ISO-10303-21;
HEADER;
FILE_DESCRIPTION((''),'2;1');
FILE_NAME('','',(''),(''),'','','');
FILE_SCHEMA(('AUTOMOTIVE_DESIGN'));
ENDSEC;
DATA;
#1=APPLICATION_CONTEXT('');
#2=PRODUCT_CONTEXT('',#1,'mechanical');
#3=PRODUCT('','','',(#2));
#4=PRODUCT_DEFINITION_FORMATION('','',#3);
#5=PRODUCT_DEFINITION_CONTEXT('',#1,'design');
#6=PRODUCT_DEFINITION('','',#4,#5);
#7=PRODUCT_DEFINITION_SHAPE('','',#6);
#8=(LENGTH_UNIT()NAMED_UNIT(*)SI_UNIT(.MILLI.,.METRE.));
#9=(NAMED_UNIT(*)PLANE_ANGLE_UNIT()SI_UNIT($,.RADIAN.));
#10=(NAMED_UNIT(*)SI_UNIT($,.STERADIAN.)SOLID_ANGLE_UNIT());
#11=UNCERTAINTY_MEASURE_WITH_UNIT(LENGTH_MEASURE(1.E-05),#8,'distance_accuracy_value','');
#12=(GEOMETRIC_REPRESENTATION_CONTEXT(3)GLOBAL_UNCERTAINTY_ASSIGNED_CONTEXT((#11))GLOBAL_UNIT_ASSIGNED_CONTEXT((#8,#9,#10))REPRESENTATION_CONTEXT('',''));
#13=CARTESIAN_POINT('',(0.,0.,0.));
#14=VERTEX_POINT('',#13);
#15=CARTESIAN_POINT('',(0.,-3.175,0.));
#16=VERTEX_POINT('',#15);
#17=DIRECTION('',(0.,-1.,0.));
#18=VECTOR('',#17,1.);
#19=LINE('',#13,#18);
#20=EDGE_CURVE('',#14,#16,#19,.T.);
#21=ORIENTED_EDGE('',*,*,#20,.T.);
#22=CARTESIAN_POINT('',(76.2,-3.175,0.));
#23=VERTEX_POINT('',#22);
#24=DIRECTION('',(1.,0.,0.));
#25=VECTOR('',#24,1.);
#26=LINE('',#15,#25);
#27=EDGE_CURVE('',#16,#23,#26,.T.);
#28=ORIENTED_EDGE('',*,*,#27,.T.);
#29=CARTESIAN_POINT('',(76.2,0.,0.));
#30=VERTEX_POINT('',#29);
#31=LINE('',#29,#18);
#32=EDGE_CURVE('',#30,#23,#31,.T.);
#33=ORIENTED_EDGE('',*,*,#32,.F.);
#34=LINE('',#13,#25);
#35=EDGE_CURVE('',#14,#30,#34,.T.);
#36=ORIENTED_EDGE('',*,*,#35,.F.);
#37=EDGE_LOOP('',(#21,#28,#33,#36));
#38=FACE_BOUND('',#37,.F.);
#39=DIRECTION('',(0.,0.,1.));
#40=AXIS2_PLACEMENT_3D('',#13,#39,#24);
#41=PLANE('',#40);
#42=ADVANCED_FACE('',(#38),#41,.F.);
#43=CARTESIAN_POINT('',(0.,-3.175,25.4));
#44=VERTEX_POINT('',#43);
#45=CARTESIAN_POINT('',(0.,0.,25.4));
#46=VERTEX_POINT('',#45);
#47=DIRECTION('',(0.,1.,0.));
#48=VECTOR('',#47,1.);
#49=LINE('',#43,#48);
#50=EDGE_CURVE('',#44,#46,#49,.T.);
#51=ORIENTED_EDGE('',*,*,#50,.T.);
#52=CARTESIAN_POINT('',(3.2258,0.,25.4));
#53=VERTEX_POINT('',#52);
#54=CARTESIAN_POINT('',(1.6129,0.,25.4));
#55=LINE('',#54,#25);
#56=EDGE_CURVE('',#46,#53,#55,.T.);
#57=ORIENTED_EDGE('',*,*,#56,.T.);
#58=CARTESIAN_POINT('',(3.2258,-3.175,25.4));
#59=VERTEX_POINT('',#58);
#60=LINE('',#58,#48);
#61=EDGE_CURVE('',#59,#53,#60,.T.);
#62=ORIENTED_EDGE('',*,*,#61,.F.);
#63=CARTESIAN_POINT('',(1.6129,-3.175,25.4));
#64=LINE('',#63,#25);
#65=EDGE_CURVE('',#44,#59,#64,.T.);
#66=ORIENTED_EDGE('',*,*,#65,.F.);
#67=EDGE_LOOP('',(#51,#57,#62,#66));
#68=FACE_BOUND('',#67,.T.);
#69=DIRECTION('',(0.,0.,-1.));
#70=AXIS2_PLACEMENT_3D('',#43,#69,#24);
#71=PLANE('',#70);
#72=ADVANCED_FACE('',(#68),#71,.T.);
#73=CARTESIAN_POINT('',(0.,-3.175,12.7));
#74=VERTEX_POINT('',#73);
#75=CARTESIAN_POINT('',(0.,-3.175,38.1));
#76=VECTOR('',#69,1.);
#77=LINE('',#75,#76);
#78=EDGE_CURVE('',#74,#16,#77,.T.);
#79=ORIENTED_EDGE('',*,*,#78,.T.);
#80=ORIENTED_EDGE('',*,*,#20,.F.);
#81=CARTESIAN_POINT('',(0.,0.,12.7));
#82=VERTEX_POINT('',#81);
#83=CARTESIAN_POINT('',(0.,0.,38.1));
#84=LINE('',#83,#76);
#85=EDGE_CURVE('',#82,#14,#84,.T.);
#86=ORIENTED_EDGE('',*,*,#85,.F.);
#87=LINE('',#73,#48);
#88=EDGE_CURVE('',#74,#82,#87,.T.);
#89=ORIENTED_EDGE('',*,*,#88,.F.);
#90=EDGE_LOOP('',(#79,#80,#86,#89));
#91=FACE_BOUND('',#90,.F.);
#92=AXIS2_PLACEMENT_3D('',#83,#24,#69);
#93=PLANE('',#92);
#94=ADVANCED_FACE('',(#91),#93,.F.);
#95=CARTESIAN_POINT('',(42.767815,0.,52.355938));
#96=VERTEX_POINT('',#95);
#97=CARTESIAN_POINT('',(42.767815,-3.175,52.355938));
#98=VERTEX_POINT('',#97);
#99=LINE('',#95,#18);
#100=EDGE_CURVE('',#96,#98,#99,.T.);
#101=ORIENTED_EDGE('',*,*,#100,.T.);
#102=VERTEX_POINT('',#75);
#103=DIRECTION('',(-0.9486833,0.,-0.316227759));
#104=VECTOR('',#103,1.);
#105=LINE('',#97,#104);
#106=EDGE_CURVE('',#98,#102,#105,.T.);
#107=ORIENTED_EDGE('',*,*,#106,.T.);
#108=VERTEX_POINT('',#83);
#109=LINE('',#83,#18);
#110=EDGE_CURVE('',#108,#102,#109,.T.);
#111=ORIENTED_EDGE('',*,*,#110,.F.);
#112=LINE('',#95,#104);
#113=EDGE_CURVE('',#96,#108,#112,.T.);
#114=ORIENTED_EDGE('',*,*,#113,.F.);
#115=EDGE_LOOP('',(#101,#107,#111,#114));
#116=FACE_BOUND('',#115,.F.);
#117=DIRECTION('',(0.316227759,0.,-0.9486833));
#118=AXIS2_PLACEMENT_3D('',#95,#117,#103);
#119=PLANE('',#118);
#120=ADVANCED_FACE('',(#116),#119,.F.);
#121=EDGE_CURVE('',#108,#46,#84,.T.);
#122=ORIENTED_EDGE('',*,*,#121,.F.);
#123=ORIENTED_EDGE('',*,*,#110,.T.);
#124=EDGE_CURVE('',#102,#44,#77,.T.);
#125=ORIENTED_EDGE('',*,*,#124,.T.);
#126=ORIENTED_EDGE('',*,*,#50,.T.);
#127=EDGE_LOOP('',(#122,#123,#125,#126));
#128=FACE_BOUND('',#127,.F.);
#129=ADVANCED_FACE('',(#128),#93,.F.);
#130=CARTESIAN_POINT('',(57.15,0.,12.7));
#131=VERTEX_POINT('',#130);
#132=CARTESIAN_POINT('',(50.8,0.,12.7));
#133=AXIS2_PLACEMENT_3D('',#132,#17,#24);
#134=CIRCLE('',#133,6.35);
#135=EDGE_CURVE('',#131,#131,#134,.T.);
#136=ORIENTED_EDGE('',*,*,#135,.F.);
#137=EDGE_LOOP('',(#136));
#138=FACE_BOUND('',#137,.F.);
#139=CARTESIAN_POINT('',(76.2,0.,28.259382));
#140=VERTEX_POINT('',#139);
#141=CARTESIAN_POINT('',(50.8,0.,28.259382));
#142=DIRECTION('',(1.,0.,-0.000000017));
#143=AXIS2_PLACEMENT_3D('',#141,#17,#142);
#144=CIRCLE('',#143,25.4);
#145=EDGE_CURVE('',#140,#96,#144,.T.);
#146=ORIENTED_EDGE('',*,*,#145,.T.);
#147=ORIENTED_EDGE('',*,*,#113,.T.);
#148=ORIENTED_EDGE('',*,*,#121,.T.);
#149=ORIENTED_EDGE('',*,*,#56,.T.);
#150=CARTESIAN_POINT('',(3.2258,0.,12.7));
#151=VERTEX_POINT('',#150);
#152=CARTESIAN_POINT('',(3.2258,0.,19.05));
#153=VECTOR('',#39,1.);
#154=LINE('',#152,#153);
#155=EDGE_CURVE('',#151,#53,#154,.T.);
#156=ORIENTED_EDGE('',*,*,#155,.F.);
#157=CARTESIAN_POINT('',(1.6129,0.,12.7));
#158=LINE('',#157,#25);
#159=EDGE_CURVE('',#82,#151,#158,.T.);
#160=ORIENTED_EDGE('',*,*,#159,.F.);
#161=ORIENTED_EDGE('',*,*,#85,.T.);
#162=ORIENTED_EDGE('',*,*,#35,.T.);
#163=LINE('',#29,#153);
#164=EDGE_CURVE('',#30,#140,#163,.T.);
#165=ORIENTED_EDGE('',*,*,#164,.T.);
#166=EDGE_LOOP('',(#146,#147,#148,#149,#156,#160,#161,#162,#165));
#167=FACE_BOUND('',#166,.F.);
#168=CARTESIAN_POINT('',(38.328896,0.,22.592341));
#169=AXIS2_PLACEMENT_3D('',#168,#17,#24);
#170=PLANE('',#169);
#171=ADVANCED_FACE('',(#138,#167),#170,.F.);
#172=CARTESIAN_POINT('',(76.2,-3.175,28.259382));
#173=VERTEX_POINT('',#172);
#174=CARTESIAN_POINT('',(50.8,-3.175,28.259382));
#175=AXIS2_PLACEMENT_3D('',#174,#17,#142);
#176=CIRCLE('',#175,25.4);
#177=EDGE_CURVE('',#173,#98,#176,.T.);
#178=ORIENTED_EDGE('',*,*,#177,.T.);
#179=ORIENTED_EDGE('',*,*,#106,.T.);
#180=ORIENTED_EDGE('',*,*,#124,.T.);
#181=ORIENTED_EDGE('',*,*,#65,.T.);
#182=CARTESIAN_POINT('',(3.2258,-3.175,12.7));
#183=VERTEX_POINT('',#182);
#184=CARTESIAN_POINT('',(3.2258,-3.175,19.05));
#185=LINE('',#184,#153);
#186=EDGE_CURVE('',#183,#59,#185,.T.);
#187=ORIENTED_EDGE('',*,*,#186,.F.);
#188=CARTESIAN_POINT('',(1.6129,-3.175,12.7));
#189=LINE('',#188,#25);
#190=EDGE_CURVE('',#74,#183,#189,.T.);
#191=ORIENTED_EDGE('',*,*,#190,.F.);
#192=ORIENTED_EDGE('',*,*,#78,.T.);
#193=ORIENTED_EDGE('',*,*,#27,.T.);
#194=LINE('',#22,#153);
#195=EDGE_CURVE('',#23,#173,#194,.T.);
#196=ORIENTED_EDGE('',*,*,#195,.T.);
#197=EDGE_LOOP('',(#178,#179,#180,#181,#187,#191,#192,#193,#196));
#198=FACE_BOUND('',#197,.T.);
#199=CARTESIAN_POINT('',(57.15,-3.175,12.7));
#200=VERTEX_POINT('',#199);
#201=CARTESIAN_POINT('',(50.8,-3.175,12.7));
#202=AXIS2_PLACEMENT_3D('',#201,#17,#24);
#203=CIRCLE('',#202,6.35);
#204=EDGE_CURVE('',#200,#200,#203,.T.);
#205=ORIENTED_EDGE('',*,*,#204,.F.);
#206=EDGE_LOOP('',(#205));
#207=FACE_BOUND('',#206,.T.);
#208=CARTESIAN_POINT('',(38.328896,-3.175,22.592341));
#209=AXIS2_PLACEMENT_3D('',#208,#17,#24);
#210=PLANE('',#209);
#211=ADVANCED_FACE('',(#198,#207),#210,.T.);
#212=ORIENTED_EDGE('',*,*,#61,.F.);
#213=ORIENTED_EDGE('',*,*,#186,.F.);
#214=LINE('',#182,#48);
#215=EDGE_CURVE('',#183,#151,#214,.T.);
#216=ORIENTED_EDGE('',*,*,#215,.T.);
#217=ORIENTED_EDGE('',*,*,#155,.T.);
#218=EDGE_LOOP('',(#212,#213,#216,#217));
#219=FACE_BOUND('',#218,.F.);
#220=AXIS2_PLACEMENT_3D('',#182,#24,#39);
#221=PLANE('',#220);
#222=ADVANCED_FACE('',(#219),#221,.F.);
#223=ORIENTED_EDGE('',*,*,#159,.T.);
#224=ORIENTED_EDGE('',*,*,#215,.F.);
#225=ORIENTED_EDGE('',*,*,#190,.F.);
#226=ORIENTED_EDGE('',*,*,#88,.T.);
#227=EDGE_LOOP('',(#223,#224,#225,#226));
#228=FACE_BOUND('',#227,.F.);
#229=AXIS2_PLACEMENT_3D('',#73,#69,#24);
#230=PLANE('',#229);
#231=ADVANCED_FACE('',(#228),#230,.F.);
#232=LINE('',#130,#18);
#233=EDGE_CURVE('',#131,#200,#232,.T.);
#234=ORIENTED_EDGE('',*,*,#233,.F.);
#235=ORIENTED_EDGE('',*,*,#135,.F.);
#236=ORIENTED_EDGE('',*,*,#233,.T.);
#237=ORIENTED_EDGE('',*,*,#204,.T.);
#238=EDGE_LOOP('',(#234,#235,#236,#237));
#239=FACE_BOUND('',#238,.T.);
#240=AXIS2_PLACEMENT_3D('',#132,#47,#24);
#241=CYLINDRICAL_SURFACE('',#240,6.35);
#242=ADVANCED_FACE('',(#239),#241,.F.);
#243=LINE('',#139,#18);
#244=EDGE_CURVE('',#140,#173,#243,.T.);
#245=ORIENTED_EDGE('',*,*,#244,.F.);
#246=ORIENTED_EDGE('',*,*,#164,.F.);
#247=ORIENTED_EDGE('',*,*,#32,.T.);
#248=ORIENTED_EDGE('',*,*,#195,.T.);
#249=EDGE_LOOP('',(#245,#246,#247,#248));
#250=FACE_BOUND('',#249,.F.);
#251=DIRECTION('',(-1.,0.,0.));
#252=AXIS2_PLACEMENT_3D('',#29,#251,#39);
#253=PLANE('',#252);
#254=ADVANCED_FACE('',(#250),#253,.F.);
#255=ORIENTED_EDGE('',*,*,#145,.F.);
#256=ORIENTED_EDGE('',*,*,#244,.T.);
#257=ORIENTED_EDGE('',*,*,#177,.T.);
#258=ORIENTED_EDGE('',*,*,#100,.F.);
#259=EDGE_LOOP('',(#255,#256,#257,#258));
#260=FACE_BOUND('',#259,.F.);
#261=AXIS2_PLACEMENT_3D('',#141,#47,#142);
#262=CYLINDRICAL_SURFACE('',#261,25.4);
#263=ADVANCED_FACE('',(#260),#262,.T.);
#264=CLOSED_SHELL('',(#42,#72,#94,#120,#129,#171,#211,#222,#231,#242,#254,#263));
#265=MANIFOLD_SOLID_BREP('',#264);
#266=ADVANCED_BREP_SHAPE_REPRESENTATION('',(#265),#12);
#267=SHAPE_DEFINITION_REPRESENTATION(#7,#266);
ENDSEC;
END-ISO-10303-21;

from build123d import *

# Parameters (mm, degrees)
F0_R     = 6.35
F1_DEPTH = 3.175
F2_W     = 3.2258
F2_H     = 12.7
F3_DEPTH = 3.175


with BuildPart() as f1:
    # F0 (on Front) → F1 (new body)
    with BuildSketch(Plane.XZ):
        with BuildLine():
            Line((0, 38.1), (0, 0))
            Line((0, 0), (76.2, 0))
            Line((76.2, 0), (76.2, 28.259382))
            ThreePointArc((76.2, 28.259382), (65.651641, 48.864934), (42.767815, 52.355938))
            Line((42.767815, 52.355938), (0, 38.1))
        make_face()
        with Locations((50.8, 12.7)):
            Circle(F0_R, mode=Mode.SUBTRACT)
    extrude(amount=F1_DEPTH)

    # F2 (on face) → F3 (cut)
    with BuildSketch(Plane.XZ.offset(3.175)):
        with Locations((1.6129, 19.05)):
            Rectangle(F2_W, F2_H)
    extrude(amount=-F3_DEPTH, mode=Mode.SUBTRACT)


solid = f1.part
